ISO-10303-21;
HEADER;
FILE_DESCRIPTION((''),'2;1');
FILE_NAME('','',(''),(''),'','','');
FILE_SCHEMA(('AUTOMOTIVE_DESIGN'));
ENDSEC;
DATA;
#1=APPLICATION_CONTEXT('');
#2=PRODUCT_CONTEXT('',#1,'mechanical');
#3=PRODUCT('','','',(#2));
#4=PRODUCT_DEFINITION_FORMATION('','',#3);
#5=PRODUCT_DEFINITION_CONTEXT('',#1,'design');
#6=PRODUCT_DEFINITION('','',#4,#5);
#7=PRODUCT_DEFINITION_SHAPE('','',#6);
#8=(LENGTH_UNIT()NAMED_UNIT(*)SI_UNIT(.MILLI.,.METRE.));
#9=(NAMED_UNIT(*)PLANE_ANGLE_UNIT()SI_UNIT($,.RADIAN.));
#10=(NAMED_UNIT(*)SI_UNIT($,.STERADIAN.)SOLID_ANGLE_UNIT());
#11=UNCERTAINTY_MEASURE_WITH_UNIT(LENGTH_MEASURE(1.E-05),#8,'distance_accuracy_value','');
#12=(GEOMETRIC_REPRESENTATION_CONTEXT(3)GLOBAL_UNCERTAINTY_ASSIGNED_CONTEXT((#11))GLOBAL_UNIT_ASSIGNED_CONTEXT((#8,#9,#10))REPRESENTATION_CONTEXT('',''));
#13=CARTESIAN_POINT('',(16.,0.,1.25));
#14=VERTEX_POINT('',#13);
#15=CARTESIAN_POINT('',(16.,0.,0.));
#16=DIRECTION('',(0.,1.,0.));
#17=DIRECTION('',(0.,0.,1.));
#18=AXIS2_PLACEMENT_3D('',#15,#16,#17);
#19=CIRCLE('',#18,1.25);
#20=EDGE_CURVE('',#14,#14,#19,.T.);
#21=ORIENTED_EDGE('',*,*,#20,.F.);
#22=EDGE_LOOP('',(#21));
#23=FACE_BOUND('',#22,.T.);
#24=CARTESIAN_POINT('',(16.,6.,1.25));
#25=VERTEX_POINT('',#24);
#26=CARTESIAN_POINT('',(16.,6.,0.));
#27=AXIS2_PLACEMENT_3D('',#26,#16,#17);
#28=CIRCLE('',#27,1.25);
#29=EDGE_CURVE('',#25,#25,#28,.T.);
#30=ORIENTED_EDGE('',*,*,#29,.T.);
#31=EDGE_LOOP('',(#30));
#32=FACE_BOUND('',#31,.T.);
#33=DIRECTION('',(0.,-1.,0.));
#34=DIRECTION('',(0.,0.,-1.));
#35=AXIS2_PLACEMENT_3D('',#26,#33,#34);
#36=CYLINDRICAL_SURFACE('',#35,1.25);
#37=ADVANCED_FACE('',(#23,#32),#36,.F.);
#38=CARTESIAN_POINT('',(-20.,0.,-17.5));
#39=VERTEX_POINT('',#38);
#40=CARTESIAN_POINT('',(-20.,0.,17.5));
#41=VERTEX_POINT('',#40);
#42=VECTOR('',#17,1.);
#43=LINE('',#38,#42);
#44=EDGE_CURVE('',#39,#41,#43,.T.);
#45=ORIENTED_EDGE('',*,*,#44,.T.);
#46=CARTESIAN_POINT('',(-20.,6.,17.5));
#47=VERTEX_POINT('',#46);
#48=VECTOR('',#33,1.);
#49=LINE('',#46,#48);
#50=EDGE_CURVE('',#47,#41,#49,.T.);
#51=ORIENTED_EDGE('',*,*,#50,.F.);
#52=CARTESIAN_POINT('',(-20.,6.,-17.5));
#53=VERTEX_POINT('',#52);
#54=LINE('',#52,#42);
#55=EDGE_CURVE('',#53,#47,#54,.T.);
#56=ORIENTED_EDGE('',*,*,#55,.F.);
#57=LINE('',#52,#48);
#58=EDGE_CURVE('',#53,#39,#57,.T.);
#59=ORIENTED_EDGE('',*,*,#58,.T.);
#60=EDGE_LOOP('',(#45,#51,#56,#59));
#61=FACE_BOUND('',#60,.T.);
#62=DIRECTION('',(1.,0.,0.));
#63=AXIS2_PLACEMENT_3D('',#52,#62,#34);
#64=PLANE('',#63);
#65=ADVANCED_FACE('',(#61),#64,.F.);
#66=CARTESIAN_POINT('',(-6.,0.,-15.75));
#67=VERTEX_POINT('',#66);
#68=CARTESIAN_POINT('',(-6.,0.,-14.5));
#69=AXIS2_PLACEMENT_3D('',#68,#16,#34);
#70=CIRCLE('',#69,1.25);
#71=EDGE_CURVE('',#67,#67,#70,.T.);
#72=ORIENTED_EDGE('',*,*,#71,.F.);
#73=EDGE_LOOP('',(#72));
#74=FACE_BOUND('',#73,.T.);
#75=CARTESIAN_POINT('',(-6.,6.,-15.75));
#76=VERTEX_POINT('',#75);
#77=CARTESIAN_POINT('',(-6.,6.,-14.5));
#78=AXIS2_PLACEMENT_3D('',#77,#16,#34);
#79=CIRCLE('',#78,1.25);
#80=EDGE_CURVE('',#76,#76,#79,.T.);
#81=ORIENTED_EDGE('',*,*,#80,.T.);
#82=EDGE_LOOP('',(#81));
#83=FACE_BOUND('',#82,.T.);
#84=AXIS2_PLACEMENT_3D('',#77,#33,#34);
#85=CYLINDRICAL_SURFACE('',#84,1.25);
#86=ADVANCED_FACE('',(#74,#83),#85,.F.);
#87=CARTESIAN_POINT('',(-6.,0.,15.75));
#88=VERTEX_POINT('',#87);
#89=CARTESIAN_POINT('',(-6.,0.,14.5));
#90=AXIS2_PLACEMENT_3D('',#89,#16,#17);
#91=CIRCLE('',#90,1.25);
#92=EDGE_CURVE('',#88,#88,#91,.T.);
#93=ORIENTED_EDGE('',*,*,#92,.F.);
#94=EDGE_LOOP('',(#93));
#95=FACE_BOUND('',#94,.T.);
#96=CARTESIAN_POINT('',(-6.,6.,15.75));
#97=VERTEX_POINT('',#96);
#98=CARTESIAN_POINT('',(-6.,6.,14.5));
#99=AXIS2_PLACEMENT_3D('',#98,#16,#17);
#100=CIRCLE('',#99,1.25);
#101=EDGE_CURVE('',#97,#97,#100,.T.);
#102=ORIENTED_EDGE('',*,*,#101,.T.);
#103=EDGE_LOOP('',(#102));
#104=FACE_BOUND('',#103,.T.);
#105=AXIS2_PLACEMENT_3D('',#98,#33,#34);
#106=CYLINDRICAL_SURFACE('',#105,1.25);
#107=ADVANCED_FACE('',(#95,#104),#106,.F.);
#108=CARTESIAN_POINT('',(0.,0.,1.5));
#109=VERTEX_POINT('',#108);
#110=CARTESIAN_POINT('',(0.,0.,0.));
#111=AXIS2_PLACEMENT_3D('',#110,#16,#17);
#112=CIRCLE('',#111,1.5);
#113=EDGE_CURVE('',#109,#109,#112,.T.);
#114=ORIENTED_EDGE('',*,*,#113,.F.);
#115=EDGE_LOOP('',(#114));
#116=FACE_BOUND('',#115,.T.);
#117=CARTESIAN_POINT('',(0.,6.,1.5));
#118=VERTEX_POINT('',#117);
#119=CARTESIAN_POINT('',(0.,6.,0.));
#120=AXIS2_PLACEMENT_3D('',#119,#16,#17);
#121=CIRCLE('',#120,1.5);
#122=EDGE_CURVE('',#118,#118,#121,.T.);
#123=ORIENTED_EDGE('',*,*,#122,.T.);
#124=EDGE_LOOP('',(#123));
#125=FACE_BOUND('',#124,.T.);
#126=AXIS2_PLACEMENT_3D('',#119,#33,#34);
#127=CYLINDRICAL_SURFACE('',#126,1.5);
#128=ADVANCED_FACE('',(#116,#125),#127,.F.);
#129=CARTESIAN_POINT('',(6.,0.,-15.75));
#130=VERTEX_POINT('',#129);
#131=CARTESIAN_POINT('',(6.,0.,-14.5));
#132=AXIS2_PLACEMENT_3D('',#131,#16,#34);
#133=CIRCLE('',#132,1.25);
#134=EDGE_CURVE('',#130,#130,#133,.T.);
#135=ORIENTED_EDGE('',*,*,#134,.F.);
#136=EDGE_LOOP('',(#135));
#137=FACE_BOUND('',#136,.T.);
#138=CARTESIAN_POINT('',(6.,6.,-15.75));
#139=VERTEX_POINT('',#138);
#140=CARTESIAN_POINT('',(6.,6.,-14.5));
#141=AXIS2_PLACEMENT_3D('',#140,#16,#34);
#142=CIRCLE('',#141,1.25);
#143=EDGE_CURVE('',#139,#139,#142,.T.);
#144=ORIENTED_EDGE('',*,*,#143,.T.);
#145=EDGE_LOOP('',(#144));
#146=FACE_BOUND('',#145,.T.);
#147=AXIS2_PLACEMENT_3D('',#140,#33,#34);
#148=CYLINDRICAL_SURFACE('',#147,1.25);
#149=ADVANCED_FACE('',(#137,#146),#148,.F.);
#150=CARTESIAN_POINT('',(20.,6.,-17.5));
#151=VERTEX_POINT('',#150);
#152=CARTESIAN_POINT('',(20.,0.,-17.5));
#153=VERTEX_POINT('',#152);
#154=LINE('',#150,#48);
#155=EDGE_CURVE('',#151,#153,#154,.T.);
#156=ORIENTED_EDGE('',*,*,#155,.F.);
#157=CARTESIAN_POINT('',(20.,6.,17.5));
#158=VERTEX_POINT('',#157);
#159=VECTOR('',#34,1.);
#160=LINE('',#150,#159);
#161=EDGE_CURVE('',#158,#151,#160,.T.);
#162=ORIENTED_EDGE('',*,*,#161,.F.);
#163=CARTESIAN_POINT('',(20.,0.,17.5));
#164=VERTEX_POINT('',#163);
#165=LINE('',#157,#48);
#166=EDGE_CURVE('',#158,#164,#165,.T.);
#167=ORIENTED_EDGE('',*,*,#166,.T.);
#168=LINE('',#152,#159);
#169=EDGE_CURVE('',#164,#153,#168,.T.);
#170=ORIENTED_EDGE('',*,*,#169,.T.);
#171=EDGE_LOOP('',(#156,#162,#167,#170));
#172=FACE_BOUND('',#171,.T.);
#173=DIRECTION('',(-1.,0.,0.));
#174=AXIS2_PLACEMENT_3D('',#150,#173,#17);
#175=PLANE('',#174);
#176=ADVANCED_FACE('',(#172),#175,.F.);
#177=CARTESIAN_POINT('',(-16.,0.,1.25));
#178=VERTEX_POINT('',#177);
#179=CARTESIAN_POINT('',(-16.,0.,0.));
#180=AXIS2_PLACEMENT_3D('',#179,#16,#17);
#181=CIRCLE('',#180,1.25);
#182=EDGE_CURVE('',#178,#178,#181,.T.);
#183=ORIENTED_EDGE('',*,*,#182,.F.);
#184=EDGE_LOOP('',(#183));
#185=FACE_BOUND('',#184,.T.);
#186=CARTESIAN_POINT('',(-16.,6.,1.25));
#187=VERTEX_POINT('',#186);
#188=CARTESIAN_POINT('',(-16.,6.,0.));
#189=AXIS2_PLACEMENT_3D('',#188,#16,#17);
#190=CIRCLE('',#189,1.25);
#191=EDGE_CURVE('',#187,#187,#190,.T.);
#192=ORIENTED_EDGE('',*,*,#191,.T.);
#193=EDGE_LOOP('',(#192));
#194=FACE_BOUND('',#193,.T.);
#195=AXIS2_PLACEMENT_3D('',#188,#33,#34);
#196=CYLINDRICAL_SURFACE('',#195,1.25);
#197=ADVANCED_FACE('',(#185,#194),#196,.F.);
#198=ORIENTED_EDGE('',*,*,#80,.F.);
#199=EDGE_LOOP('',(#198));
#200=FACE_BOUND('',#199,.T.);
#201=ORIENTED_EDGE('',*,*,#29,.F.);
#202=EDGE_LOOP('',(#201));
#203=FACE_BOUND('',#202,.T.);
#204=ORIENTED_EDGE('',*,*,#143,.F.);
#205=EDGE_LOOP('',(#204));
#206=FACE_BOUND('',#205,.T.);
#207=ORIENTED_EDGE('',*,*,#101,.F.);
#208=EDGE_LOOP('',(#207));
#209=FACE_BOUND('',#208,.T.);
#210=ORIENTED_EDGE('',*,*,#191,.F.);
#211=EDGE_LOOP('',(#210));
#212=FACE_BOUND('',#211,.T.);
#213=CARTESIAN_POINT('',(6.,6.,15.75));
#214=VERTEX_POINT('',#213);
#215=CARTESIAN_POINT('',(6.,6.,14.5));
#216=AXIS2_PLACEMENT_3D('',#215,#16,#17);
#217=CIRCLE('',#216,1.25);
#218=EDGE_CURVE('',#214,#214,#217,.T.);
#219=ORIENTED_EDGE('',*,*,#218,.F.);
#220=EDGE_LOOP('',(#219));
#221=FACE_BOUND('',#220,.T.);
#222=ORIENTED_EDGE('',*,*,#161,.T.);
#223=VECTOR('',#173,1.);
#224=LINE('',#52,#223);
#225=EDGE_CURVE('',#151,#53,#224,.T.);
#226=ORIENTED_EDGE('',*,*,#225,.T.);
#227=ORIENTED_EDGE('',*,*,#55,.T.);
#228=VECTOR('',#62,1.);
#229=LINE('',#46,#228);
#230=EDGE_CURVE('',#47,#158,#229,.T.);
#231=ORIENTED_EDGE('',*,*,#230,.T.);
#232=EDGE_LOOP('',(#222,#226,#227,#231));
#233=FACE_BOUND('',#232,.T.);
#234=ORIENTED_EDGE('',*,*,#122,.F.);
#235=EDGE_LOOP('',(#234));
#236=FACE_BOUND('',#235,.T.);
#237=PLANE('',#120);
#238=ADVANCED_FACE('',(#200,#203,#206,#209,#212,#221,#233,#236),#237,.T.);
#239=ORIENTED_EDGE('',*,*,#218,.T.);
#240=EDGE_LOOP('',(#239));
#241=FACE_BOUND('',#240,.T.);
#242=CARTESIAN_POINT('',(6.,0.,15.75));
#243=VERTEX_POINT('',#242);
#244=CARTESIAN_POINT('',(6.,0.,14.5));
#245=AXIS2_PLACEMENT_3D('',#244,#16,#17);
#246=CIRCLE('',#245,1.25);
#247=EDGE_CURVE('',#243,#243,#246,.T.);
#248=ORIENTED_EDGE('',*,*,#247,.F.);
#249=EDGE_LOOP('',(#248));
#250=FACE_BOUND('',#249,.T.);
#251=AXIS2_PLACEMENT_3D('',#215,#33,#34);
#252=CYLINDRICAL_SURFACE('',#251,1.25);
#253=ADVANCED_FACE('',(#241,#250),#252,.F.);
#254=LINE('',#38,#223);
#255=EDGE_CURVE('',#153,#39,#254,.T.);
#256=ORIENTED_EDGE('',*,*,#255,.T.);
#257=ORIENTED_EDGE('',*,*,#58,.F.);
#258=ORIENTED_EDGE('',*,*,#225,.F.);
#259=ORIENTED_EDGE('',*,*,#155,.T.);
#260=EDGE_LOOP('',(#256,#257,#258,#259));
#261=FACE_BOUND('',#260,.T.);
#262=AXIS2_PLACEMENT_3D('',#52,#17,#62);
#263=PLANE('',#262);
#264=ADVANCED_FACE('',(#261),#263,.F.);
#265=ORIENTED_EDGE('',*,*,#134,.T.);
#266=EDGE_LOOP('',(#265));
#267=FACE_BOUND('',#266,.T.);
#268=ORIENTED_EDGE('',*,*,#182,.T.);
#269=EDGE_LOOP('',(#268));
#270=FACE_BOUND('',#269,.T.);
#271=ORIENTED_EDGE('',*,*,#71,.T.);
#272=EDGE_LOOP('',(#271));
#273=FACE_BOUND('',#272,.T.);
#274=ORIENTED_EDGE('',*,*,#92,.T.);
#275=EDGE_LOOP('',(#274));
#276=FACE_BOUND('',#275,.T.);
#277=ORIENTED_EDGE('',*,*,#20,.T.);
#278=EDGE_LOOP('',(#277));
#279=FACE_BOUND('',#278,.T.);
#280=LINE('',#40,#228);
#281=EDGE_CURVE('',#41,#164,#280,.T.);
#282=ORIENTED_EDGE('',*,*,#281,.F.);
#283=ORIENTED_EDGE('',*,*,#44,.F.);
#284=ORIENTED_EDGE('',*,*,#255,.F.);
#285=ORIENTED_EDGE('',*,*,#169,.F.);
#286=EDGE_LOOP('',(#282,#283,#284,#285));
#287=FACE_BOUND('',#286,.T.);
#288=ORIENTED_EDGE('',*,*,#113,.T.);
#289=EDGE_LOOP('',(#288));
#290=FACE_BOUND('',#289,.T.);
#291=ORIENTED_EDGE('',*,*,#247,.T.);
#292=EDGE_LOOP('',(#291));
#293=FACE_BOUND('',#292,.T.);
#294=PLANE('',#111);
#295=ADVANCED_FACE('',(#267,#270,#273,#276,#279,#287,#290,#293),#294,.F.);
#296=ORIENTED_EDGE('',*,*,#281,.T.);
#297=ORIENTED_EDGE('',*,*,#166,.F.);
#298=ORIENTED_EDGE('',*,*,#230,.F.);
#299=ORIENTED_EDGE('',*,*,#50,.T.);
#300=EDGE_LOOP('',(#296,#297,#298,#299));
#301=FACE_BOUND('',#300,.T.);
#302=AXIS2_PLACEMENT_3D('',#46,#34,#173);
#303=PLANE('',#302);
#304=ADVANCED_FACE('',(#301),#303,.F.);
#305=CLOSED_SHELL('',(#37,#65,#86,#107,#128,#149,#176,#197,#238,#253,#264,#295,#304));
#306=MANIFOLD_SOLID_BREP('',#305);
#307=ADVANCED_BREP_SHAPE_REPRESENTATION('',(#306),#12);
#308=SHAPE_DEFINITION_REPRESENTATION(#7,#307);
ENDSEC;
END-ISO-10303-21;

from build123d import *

# Parameters (mm, degrees)
SKETCH1_W           = 40
SKETCH1_H           = 35
SKETCH1_R           = 1.25
SKETCH1_R_2         = 1.5
BOSS_EXTRUDE1_DEPTH = 6


with BuildPart() as part:
    # Sketch1 → Boss-Extrude1 (new body)
    with BuildSketch(Plane(origin=(0, 0, 0), x_dir=(1, 0, 0), z_dir=(0, 1, 0))):
        Rectangle(SKETCH1_W, SKETCH1_H)
        with Locations(Location((16, 0, 0), (0, 0, 270))):
            Circle(SKETCH1_R, mode=Mode.SUBTRACT)
        with Locations(Location((6, -14.5, 0), (0, 0, 270))):
            Circle(SKETCH1_R, mode=Mode.SUBTRACT)
        with Locations(Location((-6, -14.5, 0), (0, 0, 270))):
            Circle(SKETCH1_R, mode=Mode.SUBTRACT)
        with Locations(Location((-16, 0, 0), (0, 0, 270))):
            Circle(SKETCH1_R, mode=Mode.SUBTRACT)
        with Locations(Location((6, 14.5, 0), (0, 0, 90))):
            Circle(SKETCH1_R, mode=Mode.SUBTRACT)
        with Locations(Location((-6, 14.5, 0), (0, 0, 90))):
            Circle(SKETCH1_R, mode=Mode.SUBTRACT)
        with Locations(Location((0, 0, 0), (0, 0, 270))):
            Circle(SKETCH1_R_2, mode=Mode.SUBTRACT)
    extrude(amount=BOSS_EXTRUDE1_DEPTH)


solid = part.part
